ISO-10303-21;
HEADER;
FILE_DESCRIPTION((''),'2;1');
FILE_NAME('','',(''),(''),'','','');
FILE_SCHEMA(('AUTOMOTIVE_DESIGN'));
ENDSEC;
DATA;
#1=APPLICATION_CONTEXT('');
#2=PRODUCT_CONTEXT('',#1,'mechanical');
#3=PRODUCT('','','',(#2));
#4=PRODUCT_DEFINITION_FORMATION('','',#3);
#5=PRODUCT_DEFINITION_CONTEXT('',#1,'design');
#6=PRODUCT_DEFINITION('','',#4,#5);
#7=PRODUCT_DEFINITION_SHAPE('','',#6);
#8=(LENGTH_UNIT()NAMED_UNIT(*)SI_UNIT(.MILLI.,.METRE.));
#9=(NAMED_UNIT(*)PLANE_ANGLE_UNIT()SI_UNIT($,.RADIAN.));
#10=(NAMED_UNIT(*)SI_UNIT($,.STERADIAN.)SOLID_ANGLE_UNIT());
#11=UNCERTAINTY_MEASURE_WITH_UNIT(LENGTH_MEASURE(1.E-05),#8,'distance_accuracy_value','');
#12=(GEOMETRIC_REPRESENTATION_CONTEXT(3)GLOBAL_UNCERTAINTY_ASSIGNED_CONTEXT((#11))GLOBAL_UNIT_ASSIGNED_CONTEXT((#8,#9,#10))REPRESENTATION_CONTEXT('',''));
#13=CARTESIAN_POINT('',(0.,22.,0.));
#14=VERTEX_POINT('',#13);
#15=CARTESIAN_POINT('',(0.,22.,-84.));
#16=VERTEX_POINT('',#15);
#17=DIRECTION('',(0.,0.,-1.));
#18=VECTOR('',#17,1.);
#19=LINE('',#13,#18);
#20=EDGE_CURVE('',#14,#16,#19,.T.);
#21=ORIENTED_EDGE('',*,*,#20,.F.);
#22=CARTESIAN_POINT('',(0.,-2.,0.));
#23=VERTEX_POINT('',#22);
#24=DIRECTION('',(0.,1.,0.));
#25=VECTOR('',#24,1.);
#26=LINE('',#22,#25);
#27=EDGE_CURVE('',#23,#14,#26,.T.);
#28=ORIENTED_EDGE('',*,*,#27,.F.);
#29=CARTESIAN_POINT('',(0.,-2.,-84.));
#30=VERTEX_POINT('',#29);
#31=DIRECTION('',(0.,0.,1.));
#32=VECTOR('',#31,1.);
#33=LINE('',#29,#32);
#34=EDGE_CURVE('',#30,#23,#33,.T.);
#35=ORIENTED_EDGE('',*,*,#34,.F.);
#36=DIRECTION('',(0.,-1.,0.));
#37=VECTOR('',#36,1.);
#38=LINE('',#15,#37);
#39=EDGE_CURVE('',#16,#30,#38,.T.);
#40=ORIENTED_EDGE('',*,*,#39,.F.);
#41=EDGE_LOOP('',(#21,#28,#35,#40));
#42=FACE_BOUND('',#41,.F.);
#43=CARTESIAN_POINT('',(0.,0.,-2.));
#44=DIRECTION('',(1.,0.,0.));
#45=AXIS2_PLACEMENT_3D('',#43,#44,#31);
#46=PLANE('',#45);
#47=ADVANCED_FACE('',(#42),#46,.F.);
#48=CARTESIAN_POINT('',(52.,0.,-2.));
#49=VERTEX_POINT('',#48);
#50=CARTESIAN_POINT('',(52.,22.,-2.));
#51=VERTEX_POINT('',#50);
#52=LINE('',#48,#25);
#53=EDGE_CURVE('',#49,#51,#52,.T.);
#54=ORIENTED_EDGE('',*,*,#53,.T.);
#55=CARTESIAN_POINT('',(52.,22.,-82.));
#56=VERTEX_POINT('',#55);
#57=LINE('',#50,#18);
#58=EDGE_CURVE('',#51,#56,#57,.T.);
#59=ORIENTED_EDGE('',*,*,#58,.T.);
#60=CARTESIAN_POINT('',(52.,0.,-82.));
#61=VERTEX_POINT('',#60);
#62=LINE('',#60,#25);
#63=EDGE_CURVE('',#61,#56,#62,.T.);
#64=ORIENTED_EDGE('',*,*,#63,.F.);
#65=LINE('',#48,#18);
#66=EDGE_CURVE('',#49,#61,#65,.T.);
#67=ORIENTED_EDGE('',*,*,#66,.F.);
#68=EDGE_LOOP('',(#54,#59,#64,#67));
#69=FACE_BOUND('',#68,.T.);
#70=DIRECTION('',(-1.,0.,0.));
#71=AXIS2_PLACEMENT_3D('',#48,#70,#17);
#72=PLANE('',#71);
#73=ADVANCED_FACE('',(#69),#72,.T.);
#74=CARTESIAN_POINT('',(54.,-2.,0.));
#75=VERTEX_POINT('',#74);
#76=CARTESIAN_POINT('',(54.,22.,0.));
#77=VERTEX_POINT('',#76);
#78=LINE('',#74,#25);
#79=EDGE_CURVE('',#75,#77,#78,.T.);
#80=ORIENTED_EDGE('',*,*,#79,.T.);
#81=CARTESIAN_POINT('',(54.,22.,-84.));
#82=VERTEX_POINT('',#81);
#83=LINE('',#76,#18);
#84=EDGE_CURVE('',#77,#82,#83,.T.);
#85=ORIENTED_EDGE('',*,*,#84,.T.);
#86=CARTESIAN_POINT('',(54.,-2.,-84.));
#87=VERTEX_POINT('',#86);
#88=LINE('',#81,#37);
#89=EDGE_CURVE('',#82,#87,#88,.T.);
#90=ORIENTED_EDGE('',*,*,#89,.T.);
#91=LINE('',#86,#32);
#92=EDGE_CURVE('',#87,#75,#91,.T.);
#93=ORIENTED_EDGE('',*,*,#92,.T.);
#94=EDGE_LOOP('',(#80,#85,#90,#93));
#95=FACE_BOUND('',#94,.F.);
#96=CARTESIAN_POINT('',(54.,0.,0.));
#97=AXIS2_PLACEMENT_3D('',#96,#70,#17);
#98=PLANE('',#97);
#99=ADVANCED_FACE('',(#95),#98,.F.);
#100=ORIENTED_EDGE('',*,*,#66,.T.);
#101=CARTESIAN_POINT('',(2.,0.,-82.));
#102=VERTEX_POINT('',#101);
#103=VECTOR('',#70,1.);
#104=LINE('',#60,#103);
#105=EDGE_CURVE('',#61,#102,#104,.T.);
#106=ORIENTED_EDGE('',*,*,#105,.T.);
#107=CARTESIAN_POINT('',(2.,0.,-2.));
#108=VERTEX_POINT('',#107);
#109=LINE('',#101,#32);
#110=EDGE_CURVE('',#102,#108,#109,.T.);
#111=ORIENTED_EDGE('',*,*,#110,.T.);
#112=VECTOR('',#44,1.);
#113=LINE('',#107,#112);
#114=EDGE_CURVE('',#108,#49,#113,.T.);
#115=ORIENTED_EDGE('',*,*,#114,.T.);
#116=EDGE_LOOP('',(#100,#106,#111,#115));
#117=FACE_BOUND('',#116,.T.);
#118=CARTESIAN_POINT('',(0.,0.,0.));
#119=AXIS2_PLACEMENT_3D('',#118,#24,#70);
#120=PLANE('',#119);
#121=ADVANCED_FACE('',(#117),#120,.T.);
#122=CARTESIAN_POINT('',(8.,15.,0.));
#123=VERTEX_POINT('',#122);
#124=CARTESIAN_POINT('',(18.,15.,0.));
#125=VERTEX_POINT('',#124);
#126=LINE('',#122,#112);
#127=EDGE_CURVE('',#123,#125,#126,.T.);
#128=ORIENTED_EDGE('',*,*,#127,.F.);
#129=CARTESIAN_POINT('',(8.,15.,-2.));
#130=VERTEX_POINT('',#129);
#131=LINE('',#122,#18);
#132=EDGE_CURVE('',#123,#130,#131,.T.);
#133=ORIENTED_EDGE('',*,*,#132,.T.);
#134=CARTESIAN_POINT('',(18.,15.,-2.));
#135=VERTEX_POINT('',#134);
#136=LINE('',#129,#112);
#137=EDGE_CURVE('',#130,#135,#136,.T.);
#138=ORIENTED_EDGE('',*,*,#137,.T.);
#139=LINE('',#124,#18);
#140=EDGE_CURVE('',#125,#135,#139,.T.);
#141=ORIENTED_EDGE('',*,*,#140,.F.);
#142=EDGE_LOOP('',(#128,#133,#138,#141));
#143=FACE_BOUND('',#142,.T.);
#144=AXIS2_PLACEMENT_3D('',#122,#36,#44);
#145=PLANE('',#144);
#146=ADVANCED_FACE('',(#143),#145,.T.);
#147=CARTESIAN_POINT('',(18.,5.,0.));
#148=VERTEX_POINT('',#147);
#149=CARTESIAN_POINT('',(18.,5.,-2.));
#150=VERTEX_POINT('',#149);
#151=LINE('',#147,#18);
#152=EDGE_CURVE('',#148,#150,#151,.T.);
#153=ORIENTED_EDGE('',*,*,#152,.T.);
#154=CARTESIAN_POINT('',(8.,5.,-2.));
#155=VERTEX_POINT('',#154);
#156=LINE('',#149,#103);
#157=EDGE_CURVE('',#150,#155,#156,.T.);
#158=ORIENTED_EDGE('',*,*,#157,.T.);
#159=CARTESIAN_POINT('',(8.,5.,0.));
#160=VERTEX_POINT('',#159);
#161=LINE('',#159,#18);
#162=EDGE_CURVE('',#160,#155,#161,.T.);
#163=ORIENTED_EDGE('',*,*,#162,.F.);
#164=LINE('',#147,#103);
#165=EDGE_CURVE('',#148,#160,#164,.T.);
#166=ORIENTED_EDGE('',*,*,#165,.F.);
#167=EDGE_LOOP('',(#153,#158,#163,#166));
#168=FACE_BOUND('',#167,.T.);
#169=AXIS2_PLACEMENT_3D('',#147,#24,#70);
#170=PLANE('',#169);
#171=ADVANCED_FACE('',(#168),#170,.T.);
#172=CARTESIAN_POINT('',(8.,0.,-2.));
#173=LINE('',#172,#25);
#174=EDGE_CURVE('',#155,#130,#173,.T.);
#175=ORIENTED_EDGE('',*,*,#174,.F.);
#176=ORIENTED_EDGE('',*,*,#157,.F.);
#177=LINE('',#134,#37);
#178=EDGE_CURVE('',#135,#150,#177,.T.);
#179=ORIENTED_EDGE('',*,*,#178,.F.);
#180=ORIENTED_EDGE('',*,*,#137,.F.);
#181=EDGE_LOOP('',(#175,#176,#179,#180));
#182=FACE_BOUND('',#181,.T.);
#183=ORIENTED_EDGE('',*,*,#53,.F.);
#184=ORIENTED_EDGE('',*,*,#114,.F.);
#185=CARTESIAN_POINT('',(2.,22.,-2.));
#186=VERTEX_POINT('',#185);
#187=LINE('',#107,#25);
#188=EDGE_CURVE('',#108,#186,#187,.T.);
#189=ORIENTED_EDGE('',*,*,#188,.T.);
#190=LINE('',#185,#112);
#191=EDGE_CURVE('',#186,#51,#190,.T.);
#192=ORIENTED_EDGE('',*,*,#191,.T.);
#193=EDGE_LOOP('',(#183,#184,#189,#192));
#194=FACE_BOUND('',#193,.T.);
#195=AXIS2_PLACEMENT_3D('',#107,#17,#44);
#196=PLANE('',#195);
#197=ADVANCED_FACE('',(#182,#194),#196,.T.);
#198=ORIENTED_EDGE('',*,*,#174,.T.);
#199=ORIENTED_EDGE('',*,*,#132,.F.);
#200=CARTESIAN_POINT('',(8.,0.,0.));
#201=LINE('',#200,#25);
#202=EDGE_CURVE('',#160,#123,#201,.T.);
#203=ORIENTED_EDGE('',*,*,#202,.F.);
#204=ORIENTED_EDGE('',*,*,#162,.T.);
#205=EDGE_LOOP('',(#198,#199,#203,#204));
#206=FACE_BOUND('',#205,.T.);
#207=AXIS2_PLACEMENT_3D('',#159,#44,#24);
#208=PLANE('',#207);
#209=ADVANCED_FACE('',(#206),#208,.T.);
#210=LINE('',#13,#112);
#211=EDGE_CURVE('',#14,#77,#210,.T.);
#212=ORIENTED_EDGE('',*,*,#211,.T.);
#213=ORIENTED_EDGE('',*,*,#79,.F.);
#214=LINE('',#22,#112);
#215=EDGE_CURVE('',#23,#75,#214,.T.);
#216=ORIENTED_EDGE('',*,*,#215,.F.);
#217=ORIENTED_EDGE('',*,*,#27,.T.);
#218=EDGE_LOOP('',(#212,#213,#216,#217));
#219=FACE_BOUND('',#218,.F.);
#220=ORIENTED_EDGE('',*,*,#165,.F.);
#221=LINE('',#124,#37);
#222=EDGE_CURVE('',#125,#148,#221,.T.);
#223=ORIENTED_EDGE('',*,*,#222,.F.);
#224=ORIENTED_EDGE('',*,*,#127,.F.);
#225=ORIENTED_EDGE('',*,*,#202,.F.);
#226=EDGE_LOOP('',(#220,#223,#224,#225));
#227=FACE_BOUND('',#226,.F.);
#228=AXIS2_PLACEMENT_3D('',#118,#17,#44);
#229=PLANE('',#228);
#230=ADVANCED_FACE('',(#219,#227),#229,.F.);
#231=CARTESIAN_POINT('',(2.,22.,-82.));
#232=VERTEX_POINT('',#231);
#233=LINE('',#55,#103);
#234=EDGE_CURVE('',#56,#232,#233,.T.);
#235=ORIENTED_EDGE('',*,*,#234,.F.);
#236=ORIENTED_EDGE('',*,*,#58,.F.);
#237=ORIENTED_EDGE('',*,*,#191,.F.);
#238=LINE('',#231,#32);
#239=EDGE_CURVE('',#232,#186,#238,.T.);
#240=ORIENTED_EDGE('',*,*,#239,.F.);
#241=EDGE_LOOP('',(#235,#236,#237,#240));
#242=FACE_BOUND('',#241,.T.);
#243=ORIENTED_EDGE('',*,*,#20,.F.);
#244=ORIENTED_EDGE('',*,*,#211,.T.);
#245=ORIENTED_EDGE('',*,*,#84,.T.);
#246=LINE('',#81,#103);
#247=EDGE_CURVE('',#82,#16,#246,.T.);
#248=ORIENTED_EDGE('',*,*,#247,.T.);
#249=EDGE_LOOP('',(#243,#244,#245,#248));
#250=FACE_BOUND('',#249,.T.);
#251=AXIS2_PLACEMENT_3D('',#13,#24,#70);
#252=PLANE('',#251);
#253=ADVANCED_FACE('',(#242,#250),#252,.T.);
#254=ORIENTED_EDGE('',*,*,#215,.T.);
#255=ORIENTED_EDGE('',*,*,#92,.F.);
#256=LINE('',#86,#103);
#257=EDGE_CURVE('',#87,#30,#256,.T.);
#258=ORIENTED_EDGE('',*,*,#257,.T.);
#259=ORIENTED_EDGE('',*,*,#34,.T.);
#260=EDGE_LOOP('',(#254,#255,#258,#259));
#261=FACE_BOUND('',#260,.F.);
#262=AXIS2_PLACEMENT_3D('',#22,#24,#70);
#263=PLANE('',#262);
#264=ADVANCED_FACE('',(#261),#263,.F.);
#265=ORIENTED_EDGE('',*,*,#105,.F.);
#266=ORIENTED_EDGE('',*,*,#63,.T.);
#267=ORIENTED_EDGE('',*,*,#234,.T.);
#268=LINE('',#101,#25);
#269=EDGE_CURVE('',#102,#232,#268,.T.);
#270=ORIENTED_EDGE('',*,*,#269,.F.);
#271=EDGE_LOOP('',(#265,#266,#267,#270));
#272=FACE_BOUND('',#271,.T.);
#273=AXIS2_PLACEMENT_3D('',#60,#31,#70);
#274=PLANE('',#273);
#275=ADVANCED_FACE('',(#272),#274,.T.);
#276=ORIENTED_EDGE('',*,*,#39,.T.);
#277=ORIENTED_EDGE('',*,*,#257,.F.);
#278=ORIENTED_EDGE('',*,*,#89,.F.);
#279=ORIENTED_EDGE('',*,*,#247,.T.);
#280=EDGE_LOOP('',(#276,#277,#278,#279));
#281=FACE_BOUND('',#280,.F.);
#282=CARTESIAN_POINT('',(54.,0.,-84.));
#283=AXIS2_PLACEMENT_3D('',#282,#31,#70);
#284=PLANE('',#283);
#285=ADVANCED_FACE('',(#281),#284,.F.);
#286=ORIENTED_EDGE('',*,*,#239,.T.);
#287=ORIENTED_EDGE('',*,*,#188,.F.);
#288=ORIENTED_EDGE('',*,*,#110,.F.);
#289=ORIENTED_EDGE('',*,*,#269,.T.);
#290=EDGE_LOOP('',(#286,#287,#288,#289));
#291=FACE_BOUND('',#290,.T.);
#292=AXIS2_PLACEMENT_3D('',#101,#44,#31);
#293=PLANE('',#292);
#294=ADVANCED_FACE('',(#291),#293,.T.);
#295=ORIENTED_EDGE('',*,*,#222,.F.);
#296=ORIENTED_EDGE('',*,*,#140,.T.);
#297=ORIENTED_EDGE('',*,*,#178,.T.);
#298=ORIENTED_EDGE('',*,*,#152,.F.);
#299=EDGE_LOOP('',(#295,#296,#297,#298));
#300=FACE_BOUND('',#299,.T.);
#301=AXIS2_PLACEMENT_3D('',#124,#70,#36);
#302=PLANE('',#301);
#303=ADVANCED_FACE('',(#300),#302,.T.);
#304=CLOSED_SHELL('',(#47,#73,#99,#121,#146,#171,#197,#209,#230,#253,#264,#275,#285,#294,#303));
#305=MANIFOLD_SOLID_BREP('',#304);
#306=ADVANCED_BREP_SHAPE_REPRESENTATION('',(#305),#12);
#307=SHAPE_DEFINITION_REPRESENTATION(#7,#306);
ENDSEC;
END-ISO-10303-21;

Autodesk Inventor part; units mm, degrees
ref_plane "YZ Plane" through (0, 0, 0) normal (1, 0, 0) x (0, 1, 0)
ref_plane "XZ Plane" through (0, 0, 0) normal (0, 1, 0) x (-1, 0, 0)
ref_plane "XY Plane" through (0, 0, 0) normal (0, 0, 1) x (1, 0, 0)
sketch "스케치1" plane through (0, 0, 0) normal (0, 1, 0) x (-1, 0, 0)
  line L0 (0, 0) -> (-54, 0)
  line L1 (-54, 0) -> (-54, -84)
  line L2 (-54, -84) -> (0, -84)
  line L3 (0, -84) -> (0, 0)
  line L4 (0, 0) -> (0, -2)
  line L5 (0, -2) -> (-2, -2)
  line L6 (-54, -84) -> (-54, -82)
  line L7 (-54, -82) -> (-52, -82)
  line L8 (-2, -2) -> (-52, -2)
  line L9 (-52, -2) -> (-52, -82)
  line L10 (-52, -82) -> (-2, -82)
  line L11 (-2, -82) -> (-2, -2)
  dimension "d0" = 54
  dimension "d1" = 84
  dimension "d2" = 2
  dimension "d3" = 2
  dimension "d4" = 2
  dimension "d5" = 2
extrude "돌출1" add sketch "스케치1" along normal blind 22 contours L3 L5 L8 L9 L7 L1 L0 | L3 L2 L1 L7 L10 L11 L5
extrude "돌출2" add sketch "스케치1" against normal blind 2
sketch "스케치2" plane through (0, 22, 0) normal (0, 0, 1) x (1, 0, 0)
  line L0 (0, -22) -> (7, -22)
  line L1 (0, -22) -> (7, -22) construction
  line L2 (7, -22) -> (8, -22)
  line L3 (8, -22) -> (8, -7)
  line L4 (8, -7) -> (18, -7)
  line L5 (18, -7) -> (18, -22)
  line L6 (18, -22) -> (8, -22)
  line L7 (8, -22) -> (18, -22)
  line L8 (18, -22) -> (18, -17)
  line L9 (18, -17) -> (8, -17)
  line L10 (8, -17) -> (8, -22)
  point P0 (8, -17)
  dimension "d10" = 7
  dimension "d11" = 0
  dimension "d12" = 1
  dimension "d13" = 15
  dimension "d14" = 10
  dimension "d15" = 5
extrude "돌출3" cut sketch "스케치2" against normal blind 2 contours L3 L4 L5 L9
properties part number "case"
